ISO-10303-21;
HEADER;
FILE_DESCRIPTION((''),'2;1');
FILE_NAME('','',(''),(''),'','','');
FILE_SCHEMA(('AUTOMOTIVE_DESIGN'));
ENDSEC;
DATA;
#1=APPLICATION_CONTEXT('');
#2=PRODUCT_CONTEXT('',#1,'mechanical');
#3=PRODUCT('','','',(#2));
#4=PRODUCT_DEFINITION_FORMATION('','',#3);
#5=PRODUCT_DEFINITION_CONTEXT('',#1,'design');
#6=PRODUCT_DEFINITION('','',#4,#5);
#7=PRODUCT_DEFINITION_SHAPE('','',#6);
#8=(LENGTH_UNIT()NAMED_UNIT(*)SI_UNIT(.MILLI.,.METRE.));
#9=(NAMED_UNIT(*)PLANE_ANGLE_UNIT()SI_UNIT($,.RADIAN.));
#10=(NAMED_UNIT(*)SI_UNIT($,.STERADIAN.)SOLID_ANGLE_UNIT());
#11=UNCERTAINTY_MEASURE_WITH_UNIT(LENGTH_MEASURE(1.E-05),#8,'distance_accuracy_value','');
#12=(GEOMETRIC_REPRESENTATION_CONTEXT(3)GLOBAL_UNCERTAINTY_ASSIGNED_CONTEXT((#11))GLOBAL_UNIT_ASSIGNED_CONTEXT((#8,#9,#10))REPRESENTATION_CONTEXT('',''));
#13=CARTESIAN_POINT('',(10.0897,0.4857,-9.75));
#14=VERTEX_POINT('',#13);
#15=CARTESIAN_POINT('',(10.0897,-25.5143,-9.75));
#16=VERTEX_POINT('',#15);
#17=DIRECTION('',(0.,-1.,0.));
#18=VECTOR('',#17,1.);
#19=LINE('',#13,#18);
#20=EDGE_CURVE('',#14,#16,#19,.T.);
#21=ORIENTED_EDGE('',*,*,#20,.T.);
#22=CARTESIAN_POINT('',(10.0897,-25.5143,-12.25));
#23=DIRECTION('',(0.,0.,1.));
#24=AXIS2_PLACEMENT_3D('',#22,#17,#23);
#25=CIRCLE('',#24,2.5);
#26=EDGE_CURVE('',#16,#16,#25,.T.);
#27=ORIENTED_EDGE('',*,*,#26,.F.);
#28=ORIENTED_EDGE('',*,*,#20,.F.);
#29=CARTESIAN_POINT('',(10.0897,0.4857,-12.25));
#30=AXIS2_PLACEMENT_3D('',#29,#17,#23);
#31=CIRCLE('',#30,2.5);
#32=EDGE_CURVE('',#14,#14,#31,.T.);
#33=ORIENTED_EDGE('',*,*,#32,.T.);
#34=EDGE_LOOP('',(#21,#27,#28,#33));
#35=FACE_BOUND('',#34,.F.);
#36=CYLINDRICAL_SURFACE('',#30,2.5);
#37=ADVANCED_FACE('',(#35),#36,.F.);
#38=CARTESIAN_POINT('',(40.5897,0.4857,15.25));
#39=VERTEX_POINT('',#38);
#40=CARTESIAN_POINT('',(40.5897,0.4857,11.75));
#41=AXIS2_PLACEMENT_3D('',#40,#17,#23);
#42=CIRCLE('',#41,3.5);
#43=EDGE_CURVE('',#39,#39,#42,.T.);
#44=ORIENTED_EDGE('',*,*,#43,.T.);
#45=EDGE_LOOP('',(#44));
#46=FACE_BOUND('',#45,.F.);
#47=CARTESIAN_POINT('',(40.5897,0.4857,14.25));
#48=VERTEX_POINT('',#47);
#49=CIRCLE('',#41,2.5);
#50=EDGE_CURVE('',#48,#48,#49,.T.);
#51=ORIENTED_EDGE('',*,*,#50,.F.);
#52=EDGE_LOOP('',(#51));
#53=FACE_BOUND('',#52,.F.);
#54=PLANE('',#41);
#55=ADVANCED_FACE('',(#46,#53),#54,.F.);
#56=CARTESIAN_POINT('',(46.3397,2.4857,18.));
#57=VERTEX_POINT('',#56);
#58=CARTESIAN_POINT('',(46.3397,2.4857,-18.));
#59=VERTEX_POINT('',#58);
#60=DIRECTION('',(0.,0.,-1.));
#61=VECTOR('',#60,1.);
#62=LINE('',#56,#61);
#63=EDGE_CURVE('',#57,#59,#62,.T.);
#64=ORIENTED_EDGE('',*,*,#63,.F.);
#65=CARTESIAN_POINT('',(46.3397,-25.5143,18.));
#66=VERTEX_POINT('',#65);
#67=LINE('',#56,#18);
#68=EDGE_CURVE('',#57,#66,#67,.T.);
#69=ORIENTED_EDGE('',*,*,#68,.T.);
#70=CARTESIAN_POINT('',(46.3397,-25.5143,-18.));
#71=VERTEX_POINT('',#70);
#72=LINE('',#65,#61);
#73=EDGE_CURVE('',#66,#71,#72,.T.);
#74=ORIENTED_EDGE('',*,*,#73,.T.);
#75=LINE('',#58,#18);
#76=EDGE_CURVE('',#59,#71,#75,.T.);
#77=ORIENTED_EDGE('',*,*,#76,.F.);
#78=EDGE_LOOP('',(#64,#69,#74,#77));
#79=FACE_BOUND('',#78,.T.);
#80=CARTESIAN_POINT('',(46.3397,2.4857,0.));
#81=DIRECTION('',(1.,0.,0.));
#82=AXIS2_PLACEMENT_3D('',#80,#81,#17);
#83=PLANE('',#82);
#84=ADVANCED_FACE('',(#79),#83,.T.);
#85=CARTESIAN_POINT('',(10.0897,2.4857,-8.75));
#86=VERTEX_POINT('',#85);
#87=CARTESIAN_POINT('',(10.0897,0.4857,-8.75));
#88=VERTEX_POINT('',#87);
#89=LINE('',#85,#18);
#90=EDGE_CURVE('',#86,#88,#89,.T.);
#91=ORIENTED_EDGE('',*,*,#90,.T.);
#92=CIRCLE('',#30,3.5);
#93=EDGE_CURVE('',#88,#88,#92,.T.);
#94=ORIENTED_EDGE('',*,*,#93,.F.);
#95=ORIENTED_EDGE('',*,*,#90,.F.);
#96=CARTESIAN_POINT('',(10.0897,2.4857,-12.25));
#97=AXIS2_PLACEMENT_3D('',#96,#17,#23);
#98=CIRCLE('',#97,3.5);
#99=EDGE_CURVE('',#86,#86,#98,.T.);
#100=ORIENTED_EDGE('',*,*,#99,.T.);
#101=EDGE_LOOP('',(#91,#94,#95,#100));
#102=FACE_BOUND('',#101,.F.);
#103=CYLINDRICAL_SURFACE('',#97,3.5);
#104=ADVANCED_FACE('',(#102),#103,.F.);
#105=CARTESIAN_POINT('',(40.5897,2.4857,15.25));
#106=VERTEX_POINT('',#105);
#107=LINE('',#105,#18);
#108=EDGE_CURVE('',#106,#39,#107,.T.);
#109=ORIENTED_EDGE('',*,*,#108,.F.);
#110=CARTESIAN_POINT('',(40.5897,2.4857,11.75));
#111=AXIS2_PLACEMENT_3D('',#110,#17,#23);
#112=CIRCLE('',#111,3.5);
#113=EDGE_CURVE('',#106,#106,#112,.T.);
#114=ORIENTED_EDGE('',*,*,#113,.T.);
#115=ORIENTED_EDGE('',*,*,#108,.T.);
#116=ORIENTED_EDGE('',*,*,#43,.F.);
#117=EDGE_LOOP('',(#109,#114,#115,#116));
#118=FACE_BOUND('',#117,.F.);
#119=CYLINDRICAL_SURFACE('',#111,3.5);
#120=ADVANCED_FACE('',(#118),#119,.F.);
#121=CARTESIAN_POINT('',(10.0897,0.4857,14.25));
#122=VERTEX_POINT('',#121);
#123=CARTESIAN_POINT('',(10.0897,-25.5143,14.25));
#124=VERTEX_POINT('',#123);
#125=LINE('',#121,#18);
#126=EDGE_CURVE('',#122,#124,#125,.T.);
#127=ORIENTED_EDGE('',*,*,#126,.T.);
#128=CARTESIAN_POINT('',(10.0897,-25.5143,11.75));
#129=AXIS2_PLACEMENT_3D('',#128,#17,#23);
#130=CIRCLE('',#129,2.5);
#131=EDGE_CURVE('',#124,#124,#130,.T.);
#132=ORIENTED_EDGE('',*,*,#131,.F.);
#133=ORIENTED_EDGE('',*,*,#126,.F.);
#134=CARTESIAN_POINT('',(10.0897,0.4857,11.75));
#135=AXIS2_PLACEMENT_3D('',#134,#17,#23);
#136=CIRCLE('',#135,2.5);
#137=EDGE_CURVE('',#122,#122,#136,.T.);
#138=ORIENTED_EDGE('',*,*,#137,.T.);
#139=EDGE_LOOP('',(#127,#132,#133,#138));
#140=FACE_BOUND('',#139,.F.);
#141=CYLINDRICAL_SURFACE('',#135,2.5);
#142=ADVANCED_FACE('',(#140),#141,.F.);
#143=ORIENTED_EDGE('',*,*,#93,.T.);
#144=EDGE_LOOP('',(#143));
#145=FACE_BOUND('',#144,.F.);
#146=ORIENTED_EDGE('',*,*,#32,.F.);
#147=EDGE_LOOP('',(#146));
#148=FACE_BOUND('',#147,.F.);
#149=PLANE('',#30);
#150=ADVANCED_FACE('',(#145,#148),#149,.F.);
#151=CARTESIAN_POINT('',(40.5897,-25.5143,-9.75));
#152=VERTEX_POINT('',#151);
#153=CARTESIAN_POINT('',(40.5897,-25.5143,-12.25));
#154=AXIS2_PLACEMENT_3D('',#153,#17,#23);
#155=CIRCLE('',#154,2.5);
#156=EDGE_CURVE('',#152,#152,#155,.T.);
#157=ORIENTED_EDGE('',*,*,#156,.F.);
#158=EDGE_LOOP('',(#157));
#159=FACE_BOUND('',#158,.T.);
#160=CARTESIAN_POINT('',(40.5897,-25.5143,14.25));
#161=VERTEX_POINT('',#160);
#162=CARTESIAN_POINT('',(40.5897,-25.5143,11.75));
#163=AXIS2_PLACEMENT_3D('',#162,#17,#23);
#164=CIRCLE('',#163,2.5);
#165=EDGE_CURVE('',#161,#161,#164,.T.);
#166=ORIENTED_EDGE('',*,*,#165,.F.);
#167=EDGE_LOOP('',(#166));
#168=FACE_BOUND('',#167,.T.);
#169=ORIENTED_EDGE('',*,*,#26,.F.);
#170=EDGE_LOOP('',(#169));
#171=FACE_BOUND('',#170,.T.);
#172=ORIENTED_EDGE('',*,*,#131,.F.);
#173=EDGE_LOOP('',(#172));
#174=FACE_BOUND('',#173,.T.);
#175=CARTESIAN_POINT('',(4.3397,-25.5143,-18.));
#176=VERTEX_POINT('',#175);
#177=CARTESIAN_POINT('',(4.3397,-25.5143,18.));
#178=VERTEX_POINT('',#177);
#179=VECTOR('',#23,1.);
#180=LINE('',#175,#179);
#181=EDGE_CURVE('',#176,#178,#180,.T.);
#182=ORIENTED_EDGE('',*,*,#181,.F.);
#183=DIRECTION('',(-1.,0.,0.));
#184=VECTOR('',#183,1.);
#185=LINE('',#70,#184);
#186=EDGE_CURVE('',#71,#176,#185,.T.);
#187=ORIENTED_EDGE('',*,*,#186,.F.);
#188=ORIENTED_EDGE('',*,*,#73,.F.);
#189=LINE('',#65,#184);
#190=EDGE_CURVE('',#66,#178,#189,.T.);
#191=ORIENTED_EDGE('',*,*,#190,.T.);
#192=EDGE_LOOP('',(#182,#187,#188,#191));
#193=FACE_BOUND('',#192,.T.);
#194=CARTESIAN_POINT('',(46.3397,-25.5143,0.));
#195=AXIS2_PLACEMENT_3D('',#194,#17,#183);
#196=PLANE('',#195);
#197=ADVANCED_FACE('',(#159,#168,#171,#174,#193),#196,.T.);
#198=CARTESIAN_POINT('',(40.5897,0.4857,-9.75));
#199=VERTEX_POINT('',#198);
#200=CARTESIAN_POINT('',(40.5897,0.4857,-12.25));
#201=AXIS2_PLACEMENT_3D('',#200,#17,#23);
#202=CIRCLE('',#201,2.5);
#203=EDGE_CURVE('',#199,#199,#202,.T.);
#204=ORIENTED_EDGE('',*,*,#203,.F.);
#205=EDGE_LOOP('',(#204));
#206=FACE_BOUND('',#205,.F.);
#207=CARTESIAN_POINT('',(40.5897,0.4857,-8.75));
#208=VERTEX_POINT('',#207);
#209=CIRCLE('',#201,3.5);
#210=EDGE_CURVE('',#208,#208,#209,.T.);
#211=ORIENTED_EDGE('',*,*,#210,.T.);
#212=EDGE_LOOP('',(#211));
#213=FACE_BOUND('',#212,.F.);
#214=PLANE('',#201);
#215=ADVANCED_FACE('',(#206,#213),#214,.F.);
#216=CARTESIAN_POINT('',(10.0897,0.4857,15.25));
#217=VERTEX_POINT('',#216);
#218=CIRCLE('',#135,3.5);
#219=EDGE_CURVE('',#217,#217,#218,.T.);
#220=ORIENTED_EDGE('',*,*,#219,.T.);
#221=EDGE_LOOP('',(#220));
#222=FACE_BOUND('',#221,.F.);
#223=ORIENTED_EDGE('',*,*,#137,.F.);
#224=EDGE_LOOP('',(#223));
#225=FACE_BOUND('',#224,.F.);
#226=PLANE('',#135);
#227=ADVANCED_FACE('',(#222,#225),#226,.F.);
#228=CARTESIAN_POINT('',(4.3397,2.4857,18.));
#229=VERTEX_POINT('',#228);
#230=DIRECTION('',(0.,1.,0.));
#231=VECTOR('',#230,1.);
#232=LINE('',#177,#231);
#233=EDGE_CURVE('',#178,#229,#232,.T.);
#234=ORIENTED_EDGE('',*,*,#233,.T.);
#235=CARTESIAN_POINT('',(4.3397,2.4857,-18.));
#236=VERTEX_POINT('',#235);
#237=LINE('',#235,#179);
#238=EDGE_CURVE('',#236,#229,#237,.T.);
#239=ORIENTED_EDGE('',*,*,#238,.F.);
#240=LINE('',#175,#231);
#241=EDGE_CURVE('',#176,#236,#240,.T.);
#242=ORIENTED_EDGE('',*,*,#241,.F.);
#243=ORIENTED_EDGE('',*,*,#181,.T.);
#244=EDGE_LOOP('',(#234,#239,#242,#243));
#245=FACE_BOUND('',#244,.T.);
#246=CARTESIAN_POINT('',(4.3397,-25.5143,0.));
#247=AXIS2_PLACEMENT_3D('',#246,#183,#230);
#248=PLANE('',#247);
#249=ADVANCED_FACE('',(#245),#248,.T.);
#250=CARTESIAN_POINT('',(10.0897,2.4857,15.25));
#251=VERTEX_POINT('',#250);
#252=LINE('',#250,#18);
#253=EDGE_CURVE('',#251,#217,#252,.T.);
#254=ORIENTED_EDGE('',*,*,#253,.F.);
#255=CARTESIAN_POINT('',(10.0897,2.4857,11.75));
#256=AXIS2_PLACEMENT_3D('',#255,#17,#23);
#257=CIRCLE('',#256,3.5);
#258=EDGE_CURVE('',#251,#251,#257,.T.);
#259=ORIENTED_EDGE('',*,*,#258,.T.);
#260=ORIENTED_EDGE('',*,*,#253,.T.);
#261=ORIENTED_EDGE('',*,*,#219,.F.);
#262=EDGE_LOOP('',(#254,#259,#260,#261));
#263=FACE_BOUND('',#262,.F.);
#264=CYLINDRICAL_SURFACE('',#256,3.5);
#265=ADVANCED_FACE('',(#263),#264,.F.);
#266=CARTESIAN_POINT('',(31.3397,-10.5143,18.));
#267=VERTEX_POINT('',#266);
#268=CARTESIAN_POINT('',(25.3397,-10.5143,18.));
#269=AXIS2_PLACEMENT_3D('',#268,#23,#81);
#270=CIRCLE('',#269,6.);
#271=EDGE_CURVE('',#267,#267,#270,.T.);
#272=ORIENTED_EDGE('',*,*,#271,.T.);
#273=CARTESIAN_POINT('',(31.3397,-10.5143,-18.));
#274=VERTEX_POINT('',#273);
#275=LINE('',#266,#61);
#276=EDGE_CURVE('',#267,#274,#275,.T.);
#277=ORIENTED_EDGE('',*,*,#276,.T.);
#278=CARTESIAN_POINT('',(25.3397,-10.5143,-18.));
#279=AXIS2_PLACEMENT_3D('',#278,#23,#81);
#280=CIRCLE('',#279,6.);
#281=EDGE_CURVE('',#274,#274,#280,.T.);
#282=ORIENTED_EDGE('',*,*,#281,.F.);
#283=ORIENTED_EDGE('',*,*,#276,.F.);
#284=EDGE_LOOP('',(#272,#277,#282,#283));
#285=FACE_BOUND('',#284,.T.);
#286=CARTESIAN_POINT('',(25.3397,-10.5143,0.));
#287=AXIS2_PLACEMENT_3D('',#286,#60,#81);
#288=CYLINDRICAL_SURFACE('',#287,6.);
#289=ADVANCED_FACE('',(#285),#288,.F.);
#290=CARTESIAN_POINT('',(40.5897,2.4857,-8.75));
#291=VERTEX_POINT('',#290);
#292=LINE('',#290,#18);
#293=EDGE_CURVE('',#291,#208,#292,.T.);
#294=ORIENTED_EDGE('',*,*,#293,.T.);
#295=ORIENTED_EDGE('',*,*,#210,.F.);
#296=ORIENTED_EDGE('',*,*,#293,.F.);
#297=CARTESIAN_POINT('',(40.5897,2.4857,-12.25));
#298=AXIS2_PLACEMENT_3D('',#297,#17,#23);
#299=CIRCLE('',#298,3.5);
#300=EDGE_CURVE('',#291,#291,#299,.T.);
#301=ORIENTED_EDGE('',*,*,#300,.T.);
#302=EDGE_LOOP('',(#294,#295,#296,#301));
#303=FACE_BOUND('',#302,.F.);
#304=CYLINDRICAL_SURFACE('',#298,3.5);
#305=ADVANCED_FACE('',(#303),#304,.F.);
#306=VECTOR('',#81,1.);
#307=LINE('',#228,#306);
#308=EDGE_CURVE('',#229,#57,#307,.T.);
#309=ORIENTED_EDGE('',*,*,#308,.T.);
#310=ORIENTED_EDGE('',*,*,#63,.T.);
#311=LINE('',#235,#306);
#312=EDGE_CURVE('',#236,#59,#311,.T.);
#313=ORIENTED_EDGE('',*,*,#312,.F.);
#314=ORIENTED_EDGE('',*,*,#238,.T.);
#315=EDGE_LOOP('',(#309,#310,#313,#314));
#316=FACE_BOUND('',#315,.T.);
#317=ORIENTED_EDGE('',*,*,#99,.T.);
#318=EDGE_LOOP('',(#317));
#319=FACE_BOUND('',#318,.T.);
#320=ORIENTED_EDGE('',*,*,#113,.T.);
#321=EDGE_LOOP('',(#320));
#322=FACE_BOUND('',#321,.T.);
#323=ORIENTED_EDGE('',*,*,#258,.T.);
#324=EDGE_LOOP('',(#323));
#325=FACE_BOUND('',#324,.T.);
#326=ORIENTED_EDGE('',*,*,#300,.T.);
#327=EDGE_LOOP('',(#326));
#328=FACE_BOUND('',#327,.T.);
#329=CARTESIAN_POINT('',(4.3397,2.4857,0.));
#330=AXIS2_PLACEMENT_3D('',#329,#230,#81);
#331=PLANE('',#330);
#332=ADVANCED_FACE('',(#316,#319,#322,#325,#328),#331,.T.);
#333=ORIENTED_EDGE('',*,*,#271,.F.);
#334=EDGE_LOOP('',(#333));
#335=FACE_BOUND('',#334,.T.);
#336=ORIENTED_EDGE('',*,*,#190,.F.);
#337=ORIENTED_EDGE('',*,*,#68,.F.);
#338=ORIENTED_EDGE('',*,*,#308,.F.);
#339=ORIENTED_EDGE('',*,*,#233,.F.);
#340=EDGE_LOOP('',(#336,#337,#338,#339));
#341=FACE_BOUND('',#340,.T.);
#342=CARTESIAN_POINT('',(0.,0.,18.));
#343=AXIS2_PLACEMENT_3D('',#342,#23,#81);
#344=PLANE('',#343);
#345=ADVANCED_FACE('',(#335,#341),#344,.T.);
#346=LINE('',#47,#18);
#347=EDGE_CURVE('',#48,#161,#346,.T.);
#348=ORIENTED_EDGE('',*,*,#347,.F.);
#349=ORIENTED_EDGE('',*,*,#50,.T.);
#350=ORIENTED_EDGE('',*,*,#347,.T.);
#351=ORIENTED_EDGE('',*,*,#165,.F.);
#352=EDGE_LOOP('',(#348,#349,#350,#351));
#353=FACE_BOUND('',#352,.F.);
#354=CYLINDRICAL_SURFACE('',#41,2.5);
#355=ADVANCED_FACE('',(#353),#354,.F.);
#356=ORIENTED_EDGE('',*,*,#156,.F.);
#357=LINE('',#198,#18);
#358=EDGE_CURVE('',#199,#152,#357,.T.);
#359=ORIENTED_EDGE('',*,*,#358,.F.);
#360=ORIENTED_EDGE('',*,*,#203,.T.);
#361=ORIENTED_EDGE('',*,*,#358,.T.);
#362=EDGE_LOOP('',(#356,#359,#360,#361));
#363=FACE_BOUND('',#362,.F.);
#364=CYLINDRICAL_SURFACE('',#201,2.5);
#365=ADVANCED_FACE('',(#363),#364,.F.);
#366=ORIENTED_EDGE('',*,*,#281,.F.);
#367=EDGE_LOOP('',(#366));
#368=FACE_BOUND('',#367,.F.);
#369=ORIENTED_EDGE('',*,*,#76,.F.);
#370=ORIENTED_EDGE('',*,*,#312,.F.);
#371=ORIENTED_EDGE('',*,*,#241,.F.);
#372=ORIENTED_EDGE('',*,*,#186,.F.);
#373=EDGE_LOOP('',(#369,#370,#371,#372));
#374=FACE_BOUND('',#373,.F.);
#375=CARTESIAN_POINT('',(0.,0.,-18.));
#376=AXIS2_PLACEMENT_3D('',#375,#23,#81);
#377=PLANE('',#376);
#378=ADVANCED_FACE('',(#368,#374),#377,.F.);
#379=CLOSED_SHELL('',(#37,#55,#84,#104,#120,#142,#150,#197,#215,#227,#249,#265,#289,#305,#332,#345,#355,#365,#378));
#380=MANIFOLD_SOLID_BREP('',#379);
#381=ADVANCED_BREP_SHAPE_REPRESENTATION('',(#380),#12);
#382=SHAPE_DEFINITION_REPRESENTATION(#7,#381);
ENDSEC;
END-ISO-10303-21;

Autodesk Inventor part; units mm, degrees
ref_plane "YZ Plane" through (0, 0, 0) normal (1, 0, 0) x (0, 1, 0)
ref_plane "XZ Plane" through (0, 0, 0) normal (0, 1, 0) x (-1, 0, 0)
ref_plane "XY Plane" through (0, 0, 0) normal (0, 0, 1) x (1, 0, 0)
sketch "Sketch1" plane through (0, 0, 0) normal (0, 0, 1) x (1, 0, 0)
  line L0 (4.3397, 2.4857) -> (46.3397, 2.4857)
  line L1 (4.3397, 2.4857) -> (46.3397, 2.4857) construction
  line L2 (46.3397, 2.4857) -> (46.3397, -25.5143)
  line L3 (46.3397, 2.4857) -> (74.3397, 2.4857) construction
  line L4 (46.3397, -25.5143) -> (4.3397, -25.5143)
  line L5 (4.3397, -25.5143) -> (4.3397, 2.4857)
  circle A0 centre (25.3397, -10.5143) radius 6
  point P0 (0, 0)
  point P1 (25.3397, -25.5143)
  dimension "d0" = 42
  dimension "d2" = 28
  dimension "d3" = 90
  dimension "d4" = 12
  dimension "d5" = 15
extrude "Extrusion1" add sketch "Sketch1" along normal mid plane 36
sketch "Sketch2" plane through (4.3397, 2.4857, 18) normal (0, 1, 0) x (1, 0, 0)
  line L0 (0, 36) -> (42, 36) construction
  line L1 (0, 0) -> (42, 0) construction
  line L2 (0, 36) -> (0, 0) construction
  line L3 (42, 0) -> (0, 0) construction
  line L4 (42, 36) -> (42, 0) construction
  line L5 (0, 36) -> (42, 36) construction
  line L6 (5.75, 36) -> (5.75, 0) construction
  line L7 (0, 36) -> (0, 0) construction
  line L8 (0, 30.25) -> (42, 30.25) construction
  line L9 (42, 36) -> (42, 0) construction
  line L10 (0, 18.25) -> (42, 18.25) construction
  line L11 (42, 36) -> (42, 0) construction
  line L12 (42, 0) -> (0, 0) construction
  line L13 (21, 0) -> (21, 36) construction
  point P0 (-4.3397, 18)
  point P1 (36.25, 30.25)
  point P2 (5.75, 30.25)
  point P3 (5.75, 6.25)
  point P4 (36.25, 6.25)
  dimension "d8" = 5.75
  dimension "d9" = 5.75
  dimension "d11" = 12
  dimension "d12" = 15.25
hole "Hole1" at (40.5897, 2.4857, -12.25) at (10.0897, 2.4857, -12.25) at (40.5897, 2.4857, 11.75) at (10.0897, 2.4857, 11.75) direction (0, -1, 0) diameter 5 depth 28 counterbore diameter 7 counterbore depth 2
properties part number "Linear Bearing Slide Unit 12mm (Technobots)" material "Aluminum 6061"
